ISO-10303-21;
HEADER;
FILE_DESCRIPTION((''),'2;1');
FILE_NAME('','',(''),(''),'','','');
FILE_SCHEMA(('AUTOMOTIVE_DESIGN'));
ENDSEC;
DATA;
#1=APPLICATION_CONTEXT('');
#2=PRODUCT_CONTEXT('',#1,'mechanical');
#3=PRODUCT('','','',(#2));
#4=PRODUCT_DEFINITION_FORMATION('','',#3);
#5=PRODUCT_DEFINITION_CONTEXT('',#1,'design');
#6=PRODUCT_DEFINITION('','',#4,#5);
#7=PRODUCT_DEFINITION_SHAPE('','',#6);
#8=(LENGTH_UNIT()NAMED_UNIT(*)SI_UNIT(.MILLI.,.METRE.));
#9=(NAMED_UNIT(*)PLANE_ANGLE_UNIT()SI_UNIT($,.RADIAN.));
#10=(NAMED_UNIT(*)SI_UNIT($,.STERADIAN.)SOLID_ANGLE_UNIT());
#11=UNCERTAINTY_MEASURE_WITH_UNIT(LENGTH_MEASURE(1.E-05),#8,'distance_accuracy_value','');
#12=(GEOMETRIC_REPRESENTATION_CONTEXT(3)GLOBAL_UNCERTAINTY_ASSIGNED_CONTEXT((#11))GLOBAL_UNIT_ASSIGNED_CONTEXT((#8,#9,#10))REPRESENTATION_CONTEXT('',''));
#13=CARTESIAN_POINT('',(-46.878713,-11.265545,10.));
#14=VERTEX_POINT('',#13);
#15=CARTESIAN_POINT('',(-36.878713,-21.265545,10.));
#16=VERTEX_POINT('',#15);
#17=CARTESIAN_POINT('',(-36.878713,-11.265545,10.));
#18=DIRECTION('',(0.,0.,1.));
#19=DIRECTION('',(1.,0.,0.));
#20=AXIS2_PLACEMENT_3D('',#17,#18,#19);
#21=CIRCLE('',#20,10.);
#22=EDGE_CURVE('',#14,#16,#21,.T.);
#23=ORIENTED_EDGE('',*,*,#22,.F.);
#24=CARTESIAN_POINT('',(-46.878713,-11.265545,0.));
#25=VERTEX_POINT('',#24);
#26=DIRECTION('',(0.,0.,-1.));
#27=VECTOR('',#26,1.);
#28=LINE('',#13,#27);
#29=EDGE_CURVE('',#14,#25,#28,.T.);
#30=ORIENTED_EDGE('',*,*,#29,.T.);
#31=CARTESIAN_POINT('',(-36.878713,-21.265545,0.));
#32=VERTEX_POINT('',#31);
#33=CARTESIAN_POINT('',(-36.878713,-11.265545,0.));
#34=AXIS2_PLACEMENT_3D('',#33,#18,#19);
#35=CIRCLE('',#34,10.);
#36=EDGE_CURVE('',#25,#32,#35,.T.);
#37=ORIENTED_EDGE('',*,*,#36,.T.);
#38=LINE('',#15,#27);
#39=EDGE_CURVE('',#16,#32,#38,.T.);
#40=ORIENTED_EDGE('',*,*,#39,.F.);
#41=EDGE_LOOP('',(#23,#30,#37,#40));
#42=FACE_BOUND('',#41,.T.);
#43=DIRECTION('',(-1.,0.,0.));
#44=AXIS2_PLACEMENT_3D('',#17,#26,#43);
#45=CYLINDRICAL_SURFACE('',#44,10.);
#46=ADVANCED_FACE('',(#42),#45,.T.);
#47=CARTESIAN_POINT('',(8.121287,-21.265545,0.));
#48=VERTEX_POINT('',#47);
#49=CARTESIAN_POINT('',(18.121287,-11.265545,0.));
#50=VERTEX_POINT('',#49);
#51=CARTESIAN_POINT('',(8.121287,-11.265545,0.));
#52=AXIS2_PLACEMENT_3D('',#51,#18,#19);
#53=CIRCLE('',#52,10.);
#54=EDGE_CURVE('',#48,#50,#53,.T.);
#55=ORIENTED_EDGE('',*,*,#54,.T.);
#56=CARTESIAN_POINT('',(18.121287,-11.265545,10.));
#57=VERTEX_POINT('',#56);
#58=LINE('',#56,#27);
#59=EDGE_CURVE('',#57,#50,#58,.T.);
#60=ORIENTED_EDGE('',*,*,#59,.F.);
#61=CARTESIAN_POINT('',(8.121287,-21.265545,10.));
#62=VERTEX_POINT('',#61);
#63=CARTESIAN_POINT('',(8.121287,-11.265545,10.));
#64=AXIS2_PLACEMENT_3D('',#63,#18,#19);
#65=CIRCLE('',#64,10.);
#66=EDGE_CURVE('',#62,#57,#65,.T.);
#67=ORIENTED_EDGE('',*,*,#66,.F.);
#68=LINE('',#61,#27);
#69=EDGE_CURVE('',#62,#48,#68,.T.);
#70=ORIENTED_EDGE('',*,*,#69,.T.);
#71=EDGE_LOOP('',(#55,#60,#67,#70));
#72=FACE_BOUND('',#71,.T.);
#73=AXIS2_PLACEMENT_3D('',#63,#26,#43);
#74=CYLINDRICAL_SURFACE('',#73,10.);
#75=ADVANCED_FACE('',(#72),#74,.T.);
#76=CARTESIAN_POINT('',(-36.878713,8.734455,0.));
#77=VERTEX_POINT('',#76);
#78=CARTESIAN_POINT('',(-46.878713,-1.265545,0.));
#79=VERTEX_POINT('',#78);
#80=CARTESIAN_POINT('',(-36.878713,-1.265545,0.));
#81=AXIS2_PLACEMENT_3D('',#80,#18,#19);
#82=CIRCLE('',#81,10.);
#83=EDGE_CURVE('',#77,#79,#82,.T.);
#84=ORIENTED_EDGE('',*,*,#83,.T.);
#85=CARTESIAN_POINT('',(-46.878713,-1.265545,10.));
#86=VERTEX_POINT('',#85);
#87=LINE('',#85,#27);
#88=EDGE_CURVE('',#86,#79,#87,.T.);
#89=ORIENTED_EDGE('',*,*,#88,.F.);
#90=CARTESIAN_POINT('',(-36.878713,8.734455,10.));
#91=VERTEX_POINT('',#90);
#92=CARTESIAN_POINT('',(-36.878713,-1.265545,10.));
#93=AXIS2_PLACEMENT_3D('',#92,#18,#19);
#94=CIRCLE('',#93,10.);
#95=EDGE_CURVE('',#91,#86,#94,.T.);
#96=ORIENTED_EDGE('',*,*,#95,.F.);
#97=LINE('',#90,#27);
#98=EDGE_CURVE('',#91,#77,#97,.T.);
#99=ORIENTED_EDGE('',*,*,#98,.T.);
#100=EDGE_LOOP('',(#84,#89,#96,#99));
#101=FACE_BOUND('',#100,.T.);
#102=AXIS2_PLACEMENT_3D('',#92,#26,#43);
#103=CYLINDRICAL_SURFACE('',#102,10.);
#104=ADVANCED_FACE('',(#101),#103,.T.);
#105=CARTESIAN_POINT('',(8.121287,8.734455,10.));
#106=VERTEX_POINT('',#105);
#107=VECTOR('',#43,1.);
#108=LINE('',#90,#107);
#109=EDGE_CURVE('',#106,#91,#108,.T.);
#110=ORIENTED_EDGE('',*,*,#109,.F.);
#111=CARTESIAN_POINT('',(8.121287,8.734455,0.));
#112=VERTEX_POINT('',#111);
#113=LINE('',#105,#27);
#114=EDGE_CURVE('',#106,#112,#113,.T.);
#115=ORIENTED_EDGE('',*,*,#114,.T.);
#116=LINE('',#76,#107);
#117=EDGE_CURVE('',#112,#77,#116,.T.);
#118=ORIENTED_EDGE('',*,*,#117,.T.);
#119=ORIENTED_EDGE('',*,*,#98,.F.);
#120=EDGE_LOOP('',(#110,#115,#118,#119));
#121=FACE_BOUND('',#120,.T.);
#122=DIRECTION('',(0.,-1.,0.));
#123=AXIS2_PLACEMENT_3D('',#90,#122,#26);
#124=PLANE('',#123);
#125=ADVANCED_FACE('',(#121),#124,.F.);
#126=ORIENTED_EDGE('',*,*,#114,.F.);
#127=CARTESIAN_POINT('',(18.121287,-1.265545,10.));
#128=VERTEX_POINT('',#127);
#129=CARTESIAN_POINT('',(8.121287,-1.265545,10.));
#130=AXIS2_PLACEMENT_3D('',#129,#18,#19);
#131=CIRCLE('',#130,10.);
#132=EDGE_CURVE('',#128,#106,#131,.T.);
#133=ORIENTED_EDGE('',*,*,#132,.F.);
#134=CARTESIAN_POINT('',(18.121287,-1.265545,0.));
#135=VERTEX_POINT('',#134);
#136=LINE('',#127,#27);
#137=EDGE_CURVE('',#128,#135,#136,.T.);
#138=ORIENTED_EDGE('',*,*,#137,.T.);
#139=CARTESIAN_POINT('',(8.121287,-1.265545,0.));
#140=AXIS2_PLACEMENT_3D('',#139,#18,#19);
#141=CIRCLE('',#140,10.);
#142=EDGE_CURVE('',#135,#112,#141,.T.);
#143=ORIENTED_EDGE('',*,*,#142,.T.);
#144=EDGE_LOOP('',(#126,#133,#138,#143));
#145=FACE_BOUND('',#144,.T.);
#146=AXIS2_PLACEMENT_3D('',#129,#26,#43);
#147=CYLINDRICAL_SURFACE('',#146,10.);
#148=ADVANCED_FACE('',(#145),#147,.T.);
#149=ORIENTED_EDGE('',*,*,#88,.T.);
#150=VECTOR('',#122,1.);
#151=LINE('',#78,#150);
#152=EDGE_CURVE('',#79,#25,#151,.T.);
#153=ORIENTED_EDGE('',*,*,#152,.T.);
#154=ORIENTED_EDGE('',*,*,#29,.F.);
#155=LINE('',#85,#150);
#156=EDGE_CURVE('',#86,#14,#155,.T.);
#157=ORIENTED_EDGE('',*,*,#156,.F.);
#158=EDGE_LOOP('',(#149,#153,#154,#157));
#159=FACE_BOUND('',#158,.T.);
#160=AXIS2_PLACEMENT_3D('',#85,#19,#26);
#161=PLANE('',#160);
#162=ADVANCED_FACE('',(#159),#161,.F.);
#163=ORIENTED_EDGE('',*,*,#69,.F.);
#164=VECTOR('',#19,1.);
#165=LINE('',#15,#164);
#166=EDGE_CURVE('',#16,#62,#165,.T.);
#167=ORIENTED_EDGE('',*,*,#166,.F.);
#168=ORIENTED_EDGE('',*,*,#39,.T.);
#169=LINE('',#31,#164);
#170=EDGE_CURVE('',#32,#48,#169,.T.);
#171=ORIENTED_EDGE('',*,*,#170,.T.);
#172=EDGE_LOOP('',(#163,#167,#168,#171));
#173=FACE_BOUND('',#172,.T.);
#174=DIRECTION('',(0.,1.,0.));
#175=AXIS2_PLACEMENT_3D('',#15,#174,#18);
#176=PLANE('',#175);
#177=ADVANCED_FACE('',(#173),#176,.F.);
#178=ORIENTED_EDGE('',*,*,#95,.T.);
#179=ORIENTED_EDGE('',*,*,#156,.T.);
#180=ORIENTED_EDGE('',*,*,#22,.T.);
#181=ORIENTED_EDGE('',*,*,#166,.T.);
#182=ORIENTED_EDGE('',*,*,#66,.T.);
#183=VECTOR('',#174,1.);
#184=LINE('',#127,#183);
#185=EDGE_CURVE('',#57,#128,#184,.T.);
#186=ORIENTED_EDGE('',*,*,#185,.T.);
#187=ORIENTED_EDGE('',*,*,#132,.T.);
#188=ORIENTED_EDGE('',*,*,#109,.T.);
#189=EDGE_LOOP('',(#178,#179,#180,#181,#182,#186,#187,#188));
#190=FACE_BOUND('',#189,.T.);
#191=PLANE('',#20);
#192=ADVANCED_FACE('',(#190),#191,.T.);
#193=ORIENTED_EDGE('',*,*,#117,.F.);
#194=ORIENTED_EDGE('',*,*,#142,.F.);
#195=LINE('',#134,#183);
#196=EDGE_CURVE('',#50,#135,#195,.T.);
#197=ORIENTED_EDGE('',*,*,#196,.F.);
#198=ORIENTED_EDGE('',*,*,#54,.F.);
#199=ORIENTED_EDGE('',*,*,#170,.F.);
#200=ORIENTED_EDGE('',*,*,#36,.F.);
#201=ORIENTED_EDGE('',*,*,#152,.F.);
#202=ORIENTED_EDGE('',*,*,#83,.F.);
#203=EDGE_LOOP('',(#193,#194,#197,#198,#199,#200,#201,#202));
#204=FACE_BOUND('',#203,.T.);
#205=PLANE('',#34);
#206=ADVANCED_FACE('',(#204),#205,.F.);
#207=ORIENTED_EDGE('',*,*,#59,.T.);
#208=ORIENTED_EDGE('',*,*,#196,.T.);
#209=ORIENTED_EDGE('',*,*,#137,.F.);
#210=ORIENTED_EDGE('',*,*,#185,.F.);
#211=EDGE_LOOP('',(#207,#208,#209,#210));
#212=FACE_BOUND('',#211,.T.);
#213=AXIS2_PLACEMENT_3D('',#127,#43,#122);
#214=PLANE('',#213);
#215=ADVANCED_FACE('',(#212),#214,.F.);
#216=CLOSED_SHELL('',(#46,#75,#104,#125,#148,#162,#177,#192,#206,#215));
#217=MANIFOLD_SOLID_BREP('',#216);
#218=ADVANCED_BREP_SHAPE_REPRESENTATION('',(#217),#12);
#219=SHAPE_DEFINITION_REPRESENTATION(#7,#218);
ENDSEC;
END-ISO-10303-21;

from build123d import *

# Parameters (mm, degrees)
EXTRUDE_4_DEPTH = 10


with BuildPart() as part:
    # 草图1 → 凸台-拉伸4 (new body)
    with BuildSketch(Plane.XY):
        with BuildLine():
            Line((-36.878713353, 8.734454628), (8.121286647, 8.734454628))
            ThreePointArc((8.121286647, 8.734454628), (15.192354459, 5.80552244), (18.121286647, -1.265545372))
            Line((18.121286647, -1.265545372), (18.121286647, -11.265545372))
            ThreePointArc((18.121286647, -11.265545372), (15.192354459, -18.336613184), (8.121286647, -21.265545372))
            Line((8.121286647, -21.265545372), (-36.878713353, -21.265545372))
            ThreePointArc((-36.878713353, -21.265545372), (-43.949781165, -18.336613184), (-46.878713353, -11.265545372))
            Line((-46.878713353, -11.265545372), (-46.878713353, -1.265545372))
            ThreePointArc((-46.878713353, -1.265545372), (-43.949781165, 5.80552244), (-36.878713353, 8.734454628))
        make_face()
    extrude(amount=EXTRUDE_4_DEPTH)


solid = part.part
